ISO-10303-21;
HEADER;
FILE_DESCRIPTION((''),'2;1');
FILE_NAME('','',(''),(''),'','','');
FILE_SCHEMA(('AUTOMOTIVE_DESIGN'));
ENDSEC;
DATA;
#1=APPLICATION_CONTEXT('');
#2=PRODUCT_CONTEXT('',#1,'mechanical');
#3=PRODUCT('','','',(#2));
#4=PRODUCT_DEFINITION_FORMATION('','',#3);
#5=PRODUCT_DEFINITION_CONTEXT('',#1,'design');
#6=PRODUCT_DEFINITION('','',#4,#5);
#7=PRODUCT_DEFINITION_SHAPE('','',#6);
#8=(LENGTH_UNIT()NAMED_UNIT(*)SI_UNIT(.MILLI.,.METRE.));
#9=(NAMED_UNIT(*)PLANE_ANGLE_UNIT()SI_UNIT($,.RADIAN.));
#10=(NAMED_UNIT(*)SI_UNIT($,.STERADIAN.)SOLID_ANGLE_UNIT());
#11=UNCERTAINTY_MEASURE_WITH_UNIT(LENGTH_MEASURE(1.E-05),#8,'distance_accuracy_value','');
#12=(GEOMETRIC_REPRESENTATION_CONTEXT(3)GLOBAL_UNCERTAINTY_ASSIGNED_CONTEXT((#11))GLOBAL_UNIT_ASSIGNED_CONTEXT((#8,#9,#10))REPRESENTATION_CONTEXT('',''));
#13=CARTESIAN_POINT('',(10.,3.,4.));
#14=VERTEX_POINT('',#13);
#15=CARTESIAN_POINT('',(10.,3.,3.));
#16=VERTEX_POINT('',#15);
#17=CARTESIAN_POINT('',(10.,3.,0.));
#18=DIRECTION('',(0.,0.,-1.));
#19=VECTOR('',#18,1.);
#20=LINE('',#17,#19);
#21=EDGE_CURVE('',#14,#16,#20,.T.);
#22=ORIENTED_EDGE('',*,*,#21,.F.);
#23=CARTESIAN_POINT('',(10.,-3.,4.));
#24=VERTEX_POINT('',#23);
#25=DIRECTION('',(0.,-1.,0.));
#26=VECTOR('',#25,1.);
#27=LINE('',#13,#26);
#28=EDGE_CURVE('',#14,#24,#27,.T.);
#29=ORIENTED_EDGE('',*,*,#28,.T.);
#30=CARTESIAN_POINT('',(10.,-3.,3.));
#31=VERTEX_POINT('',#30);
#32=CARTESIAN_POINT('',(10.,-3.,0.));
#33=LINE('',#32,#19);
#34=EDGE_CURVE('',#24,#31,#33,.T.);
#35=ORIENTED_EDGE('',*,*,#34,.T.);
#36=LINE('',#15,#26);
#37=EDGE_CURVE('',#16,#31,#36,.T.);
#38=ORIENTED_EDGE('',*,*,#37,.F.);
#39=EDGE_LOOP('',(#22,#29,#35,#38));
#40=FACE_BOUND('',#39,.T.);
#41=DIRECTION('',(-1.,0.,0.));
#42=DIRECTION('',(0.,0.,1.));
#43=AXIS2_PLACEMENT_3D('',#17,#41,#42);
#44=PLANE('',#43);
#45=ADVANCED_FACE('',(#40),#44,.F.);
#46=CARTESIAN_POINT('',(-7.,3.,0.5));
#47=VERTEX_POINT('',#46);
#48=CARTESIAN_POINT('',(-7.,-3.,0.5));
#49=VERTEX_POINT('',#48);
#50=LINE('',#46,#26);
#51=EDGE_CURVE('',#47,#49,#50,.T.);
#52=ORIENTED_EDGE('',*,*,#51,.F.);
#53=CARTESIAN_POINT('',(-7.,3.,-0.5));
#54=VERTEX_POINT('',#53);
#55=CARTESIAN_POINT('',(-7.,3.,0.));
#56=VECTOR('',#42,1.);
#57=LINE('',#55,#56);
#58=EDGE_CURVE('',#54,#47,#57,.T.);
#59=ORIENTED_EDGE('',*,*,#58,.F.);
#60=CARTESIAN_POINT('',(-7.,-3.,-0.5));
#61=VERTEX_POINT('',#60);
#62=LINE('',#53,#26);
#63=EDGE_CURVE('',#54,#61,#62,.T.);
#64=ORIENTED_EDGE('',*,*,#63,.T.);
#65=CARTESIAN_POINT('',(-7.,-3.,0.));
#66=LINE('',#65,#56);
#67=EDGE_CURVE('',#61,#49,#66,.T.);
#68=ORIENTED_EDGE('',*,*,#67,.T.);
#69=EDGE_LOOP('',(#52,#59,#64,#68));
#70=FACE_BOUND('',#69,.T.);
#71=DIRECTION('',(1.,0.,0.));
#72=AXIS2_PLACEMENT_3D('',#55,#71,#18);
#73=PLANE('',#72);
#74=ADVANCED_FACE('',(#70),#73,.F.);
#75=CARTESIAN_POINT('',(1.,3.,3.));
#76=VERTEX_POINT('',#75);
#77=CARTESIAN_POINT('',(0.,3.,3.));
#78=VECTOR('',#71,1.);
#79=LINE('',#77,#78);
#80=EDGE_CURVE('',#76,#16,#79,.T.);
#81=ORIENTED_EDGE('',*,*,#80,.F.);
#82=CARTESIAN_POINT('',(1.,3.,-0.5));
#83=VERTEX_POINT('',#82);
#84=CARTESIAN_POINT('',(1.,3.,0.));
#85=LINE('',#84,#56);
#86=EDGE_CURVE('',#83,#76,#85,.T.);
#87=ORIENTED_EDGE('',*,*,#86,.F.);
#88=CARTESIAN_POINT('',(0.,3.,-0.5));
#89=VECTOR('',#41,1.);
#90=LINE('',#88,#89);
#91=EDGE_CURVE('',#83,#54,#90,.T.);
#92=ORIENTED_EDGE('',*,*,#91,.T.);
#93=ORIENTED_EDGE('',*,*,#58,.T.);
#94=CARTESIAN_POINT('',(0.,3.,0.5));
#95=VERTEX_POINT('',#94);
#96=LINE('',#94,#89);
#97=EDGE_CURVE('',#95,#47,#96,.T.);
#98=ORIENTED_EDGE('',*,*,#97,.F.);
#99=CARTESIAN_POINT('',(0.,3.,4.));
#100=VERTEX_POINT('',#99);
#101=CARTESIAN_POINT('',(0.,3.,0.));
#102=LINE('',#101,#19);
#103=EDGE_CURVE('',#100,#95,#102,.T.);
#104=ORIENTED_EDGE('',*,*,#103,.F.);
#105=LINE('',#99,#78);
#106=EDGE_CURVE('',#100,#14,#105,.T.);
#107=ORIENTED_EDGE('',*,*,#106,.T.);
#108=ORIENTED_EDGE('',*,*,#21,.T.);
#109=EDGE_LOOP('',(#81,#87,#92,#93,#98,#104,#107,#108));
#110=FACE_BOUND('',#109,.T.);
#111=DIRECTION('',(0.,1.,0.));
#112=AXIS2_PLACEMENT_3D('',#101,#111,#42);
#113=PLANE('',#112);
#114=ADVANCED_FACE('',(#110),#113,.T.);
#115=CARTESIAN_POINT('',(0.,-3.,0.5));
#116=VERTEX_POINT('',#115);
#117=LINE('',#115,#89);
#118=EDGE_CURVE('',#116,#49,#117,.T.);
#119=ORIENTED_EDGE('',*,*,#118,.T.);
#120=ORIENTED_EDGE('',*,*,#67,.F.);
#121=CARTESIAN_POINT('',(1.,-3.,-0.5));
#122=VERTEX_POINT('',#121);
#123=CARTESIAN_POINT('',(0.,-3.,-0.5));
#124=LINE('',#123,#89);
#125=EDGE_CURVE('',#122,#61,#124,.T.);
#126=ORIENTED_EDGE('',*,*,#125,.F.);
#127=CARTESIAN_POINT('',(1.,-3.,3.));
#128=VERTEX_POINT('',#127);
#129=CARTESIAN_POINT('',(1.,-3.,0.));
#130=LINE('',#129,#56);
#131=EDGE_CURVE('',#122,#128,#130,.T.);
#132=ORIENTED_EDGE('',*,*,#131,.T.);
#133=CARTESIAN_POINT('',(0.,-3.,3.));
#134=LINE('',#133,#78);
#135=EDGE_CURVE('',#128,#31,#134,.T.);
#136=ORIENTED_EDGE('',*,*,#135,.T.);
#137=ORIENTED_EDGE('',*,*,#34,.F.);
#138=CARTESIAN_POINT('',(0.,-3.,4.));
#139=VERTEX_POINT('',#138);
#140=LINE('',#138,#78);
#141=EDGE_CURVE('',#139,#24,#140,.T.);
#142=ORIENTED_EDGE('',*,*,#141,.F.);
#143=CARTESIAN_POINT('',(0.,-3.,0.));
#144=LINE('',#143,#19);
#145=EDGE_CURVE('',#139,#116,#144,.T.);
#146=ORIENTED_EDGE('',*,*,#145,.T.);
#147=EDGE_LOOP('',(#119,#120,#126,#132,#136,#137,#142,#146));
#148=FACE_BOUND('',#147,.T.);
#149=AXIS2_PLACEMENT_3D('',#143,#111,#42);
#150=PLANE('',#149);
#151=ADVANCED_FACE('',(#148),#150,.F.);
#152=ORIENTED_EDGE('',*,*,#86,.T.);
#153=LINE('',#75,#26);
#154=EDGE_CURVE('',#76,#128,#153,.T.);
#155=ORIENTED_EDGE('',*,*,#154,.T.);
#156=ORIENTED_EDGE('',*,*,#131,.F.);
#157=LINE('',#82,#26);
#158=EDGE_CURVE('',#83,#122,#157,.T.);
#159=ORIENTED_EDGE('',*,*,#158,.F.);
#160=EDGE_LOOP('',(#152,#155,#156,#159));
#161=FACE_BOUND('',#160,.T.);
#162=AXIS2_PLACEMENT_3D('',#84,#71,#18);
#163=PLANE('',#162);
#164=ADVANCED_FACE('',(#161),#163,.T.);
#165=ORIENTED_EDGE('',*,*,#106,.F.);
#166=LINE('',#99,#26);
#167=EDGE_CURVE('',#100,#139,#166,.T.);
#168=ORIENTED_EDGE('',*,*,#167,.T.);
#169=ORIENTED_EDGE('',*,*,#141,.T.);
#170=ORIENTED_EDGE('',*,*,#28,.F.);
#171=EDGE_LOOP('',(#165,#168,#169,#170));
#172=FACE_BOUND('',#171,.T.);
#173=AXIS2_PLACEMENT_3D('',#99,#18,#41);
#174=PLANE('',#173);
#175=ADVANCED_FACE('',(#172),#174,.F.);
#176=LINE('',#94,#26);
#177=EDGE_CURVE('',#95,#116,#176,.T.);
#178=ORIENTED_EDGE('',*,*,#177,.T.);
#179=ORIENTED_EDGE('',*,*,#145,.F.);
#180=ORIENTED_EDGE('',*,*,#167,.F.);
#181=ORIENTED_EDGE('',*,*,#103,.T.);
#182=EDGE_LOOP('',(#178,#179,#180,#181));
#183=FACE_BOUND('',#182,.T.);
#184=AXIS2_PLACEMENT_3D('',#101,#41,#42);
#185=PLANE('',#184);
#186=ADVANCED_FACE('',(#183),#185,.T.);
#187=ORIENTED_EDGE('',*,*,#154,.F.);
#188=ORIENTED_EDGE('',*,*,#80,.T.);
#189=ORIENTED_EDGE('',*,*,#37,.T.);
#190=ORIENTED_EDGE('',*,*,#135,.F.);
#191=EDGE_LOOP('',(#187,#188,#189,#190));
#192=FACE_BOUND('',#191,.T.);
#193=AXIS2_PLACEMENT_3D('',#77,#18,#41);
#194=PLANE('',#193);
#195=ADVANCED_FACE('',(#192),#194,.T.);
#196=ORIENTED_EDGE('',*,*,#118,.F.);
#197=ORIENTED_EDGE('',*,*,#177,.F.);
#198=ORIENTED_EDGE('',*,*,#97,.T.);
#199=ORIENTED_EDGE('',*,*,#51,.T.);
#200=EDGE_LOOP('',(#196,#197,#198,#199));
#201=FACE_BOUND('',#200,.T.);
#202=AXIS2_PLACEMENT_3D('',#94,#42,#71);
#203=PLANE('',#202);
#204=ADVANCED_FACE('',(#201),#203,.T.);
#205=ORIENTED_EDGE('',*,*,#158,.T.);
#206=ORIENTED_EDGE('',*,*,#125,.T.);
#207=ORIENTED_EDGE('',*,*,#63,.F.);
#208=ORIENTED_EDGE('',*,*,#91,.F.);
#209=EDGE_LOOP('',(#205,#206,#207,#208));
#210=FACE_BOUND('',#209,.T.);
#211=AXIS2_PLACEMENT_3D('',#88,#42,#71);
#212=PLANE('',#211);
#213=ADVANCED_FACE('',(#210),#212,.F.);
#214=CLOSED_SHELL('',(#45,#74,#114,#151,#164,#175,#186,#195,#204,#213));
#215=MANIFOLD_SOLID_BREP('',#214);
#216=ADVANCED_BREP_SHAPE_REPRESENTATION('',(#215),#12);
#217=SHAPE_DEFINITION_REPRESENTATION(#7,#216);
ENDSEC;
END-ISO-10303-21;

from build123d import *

# Parameters (mm, degrees)
SKETCH1_W           = 7
SKETCH1_H           = 1
BOSS_EXTRUDE1_DEPTH = 3


with BuildPart() as part:
    # Sketch1 → Boss-Extrude1 (new body, symmetric)
    with BuildSketch(Plane(origin=(0, 0, 0), x_dir=(1, 0, 0), z_dir=(0, 1, 0))):
        with Locations((-3.5, 0)):
            Rectangle(SKETCH1_W, SKETCH1_H)
        Polygon((1, 0.5), (0, 0.5), (0, -0.5), (0, -4), (10, -4), (10, -3), (1, -3), align=None)
    extrude(amount=BOSS_EXTRUDE1_DEPTH, both=True)


solid = part.part
